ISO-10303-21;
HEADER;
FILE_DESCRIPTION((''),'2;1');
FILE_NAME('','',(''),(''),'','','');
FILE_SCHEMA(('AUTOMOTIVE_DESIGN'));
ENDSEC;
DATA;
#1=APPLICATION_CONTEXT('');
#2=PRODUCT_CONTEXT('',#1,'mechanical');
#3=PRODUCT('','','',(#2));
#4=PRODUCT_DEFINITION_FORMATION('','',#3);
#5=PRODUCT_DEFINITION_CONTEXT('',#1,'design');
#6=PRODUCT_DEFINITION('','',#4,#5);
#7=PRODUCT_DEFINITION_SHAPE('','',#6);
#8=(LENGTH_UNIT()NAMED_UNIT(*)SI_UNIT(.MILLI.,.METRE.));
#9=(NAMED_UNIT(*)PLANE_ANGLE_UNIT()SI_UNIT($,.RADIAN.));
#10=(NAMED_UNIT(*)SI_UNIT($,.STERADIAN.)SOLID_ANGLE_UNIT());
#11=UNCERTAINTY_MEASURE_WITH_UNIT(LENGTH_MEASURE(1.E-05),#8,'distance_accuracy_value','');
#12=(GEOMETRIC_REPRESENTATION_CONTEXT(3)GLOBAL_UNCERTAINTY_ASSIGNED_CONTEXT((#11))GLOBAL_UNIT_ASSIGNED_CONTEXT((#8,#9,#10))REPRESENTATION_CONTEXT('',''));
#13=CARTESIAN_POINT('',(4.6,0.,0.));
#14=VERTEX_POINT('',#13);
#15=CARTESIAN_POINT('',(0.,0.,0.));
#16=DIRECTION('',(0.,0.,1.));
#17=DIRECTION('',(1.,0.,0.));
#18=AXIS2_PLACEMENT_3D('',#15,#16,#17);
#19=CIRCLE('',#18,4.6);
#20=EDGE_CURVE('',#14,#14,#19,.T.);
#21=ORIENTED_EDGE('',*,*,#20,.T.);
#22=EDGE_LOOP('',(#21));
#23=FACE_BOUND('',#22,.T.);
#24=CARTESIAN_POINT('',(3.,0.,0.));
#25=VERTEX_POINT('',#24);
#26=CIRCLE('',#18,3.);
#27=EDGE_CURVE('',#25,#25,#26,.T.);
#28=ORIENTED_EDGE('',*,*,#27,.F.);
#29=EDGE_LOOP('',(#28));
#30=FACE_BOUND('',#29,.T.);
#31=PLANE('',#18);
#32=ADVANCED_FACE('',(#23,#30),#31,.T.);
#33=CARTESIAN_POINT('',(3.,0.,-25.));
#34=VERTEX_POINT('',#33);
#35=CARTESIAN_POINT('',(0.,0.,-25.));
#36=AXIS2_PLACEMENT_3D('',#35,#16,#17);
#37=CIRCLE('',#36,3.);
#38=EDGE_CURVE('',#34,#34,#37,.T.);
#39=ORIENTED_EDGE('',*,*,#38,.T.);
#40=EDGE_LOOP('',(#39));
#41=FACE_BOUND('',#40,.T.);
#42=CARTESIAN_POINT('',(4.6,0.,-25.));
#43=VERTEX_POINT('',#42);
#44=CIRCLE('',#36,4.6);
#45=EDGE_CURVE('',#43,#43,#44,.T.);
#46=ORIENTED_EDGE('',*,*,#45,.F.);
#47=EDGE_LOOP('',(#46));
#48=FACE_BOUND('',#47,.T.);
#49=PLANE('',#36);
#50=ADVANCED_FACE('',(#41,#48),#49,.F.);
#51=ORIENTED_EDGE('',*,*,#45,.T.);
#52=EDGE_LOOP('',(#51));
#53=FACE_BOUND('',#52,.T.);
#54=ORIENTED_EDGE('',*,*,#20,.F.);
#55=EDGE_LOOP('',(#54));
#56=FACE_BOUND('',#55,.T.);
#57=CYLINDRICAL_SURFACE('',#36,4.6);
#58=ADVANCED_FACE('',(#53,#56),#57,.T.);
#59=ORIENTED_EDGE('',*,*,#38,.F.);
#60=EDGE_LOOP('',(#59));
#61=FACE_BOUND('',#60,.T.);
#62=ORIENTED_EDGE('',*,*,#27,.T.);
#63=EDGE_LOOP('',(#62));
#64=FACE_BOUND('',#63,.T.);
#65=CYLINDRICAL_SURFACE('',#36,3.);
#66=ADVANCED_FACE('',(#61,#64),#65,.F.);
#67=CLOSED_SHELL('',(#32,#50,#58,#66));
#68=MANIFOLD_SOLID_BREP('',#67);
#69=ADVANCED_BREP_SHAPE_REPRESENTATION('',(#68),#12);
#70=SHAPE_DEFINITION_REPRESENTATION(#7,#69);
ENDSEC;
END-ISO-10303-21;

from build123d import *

# Parameters (mm, degrees)
SKETCH1_R           = 4.6
SKETCH1_R_2         = 3
BOSS_EXTRUDE1_DEPTH = 25


with BuildPart() as part:
    # Sketch1 → Boss-Extrude1 (new body)
    with BuildSketch(Plane.XY):
        Circle(SKETCH1_R)
        Circle(SKETCH1_R_2, mode=Mode.SUBTRACT)
    extrude(amount=-BOSS_EXTRUDE1_DEPTH)


solid = part.part
